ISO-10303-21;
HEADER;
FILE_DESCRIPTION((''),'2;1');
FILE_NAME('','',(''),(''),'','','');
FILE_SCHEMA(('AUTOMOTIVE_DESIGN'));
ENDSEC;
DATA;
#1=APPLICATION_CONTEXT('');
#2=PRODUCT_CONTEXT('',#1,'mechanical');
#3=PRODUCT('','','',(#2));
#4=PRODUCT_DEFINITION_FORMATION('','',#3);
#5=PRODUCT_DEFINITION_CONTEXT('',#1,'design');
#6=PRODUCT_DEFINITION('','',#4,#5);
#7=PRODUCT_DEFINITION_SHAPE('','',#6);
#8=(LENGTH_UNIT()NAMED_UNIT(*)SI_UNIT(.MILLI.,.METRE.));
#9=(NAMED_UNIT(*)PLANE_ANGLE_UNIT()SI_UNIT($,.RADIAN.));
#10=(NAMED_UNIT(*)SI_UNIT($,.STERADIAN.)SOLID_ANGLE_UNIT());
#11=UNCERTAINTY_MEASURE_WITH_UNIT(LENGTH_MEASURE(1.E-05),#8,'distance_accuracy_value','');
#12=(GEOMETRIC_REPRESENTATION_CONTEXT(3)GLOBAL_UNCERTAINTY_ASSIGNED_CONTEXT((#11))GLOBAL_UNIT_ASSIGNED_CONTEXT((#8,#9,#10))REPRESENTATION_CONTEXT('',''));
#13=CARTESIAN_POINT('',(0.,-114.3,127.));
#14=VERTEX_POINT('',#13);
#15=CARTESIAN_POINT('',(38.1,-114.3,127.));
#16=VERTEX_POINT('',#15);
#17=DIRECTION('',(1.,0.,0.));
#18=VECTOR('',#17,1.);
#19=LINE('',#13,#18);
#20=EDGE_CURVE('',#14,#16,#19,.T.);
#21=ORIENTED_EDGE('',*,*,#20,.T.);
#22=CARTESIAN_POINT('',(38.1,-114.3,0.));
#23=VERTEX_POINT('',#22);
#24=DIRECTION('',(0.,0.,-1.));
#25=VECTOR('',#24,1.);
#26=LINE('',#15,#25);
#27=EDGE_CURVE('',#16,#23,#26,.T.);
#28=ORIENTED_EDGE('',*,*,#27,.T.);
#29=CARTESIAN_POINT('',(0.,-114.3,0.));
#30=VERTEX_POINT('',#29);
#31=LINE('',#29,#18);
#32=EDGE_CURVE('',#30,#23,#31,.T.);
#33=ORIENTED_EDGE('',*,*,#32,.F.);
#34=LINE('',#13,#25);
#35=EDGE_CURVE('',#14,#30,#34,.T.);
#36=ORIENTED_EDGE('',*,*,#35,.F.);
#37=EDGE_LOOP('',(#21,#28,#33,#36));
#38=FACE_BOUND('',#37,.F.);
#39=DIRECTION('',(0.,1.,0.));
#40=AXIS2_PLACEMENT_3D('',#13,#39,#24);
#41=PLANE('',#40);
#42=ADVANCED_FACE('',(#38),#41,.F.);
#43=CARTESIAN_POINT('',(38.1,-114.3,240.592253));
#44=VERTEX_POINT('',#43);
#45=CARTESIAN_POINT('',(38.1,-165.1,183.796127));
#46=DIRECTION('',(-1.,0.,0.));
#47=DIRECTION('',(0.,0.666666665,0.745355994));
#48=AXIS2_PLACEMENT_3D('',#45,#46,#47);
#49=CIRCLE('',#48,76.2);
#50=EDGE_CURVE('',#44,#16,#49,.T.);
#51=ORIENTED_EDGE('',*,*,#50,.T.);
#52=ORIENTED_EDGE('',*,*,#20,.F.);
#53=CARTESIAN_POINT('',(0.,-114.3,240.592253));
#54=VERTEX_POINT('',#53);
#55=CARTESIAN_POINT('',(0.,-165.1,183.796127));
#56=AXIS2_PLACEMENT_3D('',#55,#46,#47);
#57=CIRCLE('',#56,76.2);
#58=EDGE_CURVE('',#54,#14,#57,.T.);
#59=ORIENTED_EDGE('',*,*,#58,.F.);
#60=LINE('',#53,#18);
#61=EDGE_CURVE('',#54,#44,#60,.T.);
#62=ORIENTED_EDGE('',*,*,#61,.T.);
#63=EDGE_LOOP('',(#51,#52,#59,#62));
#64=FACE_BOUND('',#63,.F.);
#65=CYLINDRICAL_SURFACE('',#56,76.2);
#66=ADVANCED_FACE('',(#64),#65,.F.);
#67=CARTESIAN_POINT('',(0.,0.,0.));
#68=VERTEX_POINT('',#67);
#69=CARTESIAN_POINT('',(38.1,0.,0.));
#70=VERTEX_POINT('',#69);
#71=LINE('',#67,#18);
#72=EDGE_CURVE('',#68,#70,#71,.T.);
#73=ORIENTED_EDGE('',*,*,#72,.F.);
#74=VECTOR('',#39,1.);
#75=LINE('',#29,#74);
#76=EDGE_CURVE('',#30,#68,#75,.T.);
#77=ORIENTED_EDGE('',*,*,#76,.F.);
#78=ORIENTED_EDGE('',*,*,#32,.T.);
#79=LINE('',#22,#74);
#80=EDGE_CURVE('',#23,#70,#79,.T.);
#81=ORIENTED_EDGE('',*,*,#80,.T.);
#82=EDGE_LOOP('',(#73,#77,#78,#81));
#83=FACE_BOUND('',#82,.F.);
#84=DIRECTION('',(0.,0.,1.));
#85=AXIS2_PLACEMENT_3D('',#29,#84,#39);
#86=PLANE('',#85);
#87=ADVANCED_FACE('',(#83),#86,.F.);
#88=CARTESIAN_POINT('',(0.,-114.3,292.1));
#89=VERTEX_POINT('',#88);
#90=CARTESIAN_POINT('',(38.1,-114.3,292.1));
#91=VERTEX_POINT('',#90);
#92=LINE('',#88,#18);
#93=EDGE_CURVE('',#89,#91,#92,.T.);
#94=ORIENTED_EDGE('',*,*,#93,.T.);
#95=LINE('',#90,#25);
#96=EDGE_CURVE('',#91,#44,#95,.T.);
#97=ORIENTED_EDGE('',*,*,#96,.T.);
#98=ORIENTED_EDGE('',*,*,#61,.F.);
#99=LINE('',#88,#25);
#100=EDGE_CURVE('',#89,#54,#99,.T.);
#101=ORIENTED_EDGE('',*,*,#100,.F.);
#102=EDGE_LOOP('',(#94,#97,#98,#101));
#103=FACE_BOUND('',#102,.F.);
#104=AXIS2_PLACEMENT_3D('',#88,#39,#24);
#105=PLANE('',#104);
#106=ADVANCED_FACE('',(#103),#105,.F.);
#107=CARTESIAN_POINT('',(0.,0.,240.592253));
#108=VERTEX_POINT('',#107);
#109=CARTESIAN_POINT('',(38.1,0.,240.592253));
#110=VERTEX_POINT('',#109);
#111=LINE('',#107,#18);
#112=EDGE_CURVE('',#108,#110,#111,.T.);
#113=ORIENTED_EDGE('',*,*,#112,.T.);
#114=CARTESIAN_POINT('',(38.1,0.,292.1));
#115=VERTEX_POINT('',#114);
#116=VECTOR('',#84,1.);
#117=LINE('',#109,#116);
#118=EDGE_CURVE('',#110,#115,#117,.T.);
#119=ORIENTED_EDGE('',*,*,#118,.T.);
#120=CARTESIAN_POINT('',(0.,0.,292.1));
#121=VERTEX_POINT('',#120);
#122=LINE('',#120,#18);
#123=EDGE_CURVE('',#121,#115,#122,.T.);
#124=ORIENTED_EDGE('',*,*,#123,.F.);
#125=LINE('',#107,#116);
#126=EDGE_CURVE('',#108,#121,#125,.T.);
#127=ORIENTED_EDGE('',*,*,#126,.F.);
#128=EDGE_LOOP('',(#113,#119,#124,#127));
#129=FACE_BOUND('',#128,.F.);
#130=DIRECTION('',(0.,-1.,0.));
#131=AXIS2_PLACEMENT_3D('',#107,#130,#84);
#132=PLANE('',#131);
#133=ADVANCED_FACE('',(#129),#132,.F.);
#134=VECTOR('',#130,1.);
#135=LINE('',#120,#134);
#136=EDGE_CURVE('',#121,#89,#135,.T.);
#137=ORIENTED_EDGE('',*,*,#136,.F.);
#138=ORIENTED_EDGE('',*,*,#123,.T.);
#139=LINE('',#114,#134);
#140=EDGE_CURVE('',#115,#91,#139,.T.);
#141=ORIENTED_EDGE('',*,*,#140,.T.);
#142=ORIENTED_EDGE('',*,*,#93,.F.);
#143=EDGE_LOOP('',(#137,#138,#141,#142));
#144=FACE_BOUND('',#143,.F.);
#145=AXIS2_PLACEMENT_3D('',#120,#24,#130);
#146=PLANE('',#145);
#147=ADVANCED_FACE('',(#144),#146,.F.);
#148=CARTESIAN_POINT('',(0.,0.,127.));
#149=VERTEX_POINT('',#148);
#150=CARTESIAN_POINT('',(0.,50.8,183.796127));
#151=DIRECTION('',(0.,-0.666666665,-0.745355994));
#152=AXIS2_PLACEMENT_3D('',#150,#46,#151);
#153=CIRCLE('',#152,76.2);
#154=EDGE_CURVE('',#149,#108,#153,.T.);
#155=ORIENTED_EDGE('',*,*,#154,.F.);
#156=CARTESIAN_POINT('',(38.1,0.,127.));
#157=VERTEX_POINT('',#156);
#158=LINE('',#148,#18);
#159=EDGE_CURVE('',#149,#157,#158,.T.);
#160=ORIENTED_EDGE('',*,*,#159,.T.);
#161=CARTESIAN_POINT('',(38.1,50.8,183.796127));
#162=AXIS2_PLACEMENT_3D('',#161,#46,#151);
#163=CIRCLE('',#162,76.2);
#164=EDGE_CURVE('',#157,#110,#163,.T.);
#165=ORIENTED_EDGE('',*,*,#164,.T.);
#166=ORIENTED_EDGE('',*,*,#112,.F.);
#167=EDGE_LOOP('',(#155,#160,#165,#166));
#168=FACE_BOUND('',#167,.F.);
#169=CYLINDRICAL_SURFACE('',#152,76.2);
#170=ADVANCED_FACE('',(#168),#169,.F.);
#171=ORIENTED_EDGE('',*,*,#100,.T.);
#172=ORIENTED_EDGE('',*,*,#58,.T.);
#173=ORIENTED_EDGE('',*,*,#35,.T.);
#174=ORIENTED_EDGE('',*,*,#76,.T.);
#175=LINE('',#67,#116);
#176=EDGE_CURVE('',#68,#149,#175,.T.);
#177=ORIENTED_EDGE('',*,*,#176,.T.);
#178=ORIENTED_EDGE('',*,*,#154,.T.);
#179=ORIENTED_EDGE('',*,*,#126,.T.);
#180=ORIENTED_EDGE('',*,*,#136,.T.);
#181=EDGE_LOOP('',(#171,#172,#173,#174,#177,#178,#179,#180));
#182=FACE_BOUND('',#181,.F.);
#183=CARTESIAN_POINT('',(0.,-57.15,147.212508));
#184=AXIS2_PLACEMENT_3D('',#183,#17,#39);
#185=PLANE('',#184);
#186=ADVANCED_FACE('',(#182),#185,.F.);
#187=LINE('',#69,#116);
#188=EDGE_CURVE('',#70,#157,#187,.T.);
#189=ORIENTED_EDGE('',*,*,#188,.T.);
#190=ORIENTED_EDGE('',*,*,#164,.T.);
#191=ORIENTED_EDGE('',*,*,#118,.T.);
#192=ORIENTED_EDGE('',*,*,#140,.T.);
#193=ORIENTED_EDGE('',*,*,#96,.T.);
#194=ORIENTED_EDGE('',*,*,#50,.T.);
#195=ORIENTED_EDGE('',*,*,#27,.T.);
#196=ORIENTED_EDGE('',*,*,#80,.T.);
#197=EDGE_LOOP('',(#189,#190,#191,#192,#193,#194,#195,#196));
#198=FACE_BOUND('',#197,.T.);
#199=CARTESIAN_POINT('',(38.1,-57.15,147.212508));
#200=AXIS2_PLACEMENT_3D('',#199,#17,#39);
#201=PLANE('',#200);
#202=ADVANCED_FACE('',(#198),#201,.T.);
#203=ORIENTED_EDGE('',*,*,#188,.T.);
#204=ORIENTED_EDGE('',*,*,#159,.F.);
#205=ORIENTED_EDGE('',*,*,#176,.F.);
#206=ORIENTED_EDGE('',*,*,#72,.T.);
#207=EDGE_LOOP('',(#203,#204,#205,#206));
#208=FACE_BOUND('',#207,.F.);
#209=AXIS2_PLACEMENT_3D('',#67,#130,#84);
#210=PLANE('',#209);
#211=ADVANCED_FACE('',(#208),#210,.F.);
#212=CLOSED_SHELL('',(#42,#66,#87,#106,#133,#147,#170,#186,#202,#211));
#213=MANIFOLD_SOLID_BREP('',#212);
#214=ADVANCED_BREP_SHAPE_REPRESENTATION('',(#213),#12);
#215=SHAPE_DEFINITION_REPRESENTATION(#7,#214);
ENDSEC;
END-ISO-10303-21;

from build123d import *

# Parameters (mm, degrees)
F1_DEPTH = 38.1


with BuildPart() as f1:
    # F0 (on Right) → F1 (new body)
    with BuildSketch(Plane.YZ):
        with BuildLine():
            Line((-114.3, 0), (0, 0))
            Line((0, 0), (0, 127))
            ThreePointArc((0, 127), (-25.4, 183.796127), (0, 240.592253))
            Line((0, 240.592253), (0, 292.1))
            Line((0, 292.1), (-114.3, 292.1))
            Line((-114.3, 292.1), (-114.3, 240.592253))
            ThreePointArc((-114.3, 240.592253), (-88.9, 183.796127), (-114.3, 127))
            Line((-114.3, 127), (-114.3, 0))
        make_face()
    extrude(amount=F1_DEPTH)


solid = f1.part
